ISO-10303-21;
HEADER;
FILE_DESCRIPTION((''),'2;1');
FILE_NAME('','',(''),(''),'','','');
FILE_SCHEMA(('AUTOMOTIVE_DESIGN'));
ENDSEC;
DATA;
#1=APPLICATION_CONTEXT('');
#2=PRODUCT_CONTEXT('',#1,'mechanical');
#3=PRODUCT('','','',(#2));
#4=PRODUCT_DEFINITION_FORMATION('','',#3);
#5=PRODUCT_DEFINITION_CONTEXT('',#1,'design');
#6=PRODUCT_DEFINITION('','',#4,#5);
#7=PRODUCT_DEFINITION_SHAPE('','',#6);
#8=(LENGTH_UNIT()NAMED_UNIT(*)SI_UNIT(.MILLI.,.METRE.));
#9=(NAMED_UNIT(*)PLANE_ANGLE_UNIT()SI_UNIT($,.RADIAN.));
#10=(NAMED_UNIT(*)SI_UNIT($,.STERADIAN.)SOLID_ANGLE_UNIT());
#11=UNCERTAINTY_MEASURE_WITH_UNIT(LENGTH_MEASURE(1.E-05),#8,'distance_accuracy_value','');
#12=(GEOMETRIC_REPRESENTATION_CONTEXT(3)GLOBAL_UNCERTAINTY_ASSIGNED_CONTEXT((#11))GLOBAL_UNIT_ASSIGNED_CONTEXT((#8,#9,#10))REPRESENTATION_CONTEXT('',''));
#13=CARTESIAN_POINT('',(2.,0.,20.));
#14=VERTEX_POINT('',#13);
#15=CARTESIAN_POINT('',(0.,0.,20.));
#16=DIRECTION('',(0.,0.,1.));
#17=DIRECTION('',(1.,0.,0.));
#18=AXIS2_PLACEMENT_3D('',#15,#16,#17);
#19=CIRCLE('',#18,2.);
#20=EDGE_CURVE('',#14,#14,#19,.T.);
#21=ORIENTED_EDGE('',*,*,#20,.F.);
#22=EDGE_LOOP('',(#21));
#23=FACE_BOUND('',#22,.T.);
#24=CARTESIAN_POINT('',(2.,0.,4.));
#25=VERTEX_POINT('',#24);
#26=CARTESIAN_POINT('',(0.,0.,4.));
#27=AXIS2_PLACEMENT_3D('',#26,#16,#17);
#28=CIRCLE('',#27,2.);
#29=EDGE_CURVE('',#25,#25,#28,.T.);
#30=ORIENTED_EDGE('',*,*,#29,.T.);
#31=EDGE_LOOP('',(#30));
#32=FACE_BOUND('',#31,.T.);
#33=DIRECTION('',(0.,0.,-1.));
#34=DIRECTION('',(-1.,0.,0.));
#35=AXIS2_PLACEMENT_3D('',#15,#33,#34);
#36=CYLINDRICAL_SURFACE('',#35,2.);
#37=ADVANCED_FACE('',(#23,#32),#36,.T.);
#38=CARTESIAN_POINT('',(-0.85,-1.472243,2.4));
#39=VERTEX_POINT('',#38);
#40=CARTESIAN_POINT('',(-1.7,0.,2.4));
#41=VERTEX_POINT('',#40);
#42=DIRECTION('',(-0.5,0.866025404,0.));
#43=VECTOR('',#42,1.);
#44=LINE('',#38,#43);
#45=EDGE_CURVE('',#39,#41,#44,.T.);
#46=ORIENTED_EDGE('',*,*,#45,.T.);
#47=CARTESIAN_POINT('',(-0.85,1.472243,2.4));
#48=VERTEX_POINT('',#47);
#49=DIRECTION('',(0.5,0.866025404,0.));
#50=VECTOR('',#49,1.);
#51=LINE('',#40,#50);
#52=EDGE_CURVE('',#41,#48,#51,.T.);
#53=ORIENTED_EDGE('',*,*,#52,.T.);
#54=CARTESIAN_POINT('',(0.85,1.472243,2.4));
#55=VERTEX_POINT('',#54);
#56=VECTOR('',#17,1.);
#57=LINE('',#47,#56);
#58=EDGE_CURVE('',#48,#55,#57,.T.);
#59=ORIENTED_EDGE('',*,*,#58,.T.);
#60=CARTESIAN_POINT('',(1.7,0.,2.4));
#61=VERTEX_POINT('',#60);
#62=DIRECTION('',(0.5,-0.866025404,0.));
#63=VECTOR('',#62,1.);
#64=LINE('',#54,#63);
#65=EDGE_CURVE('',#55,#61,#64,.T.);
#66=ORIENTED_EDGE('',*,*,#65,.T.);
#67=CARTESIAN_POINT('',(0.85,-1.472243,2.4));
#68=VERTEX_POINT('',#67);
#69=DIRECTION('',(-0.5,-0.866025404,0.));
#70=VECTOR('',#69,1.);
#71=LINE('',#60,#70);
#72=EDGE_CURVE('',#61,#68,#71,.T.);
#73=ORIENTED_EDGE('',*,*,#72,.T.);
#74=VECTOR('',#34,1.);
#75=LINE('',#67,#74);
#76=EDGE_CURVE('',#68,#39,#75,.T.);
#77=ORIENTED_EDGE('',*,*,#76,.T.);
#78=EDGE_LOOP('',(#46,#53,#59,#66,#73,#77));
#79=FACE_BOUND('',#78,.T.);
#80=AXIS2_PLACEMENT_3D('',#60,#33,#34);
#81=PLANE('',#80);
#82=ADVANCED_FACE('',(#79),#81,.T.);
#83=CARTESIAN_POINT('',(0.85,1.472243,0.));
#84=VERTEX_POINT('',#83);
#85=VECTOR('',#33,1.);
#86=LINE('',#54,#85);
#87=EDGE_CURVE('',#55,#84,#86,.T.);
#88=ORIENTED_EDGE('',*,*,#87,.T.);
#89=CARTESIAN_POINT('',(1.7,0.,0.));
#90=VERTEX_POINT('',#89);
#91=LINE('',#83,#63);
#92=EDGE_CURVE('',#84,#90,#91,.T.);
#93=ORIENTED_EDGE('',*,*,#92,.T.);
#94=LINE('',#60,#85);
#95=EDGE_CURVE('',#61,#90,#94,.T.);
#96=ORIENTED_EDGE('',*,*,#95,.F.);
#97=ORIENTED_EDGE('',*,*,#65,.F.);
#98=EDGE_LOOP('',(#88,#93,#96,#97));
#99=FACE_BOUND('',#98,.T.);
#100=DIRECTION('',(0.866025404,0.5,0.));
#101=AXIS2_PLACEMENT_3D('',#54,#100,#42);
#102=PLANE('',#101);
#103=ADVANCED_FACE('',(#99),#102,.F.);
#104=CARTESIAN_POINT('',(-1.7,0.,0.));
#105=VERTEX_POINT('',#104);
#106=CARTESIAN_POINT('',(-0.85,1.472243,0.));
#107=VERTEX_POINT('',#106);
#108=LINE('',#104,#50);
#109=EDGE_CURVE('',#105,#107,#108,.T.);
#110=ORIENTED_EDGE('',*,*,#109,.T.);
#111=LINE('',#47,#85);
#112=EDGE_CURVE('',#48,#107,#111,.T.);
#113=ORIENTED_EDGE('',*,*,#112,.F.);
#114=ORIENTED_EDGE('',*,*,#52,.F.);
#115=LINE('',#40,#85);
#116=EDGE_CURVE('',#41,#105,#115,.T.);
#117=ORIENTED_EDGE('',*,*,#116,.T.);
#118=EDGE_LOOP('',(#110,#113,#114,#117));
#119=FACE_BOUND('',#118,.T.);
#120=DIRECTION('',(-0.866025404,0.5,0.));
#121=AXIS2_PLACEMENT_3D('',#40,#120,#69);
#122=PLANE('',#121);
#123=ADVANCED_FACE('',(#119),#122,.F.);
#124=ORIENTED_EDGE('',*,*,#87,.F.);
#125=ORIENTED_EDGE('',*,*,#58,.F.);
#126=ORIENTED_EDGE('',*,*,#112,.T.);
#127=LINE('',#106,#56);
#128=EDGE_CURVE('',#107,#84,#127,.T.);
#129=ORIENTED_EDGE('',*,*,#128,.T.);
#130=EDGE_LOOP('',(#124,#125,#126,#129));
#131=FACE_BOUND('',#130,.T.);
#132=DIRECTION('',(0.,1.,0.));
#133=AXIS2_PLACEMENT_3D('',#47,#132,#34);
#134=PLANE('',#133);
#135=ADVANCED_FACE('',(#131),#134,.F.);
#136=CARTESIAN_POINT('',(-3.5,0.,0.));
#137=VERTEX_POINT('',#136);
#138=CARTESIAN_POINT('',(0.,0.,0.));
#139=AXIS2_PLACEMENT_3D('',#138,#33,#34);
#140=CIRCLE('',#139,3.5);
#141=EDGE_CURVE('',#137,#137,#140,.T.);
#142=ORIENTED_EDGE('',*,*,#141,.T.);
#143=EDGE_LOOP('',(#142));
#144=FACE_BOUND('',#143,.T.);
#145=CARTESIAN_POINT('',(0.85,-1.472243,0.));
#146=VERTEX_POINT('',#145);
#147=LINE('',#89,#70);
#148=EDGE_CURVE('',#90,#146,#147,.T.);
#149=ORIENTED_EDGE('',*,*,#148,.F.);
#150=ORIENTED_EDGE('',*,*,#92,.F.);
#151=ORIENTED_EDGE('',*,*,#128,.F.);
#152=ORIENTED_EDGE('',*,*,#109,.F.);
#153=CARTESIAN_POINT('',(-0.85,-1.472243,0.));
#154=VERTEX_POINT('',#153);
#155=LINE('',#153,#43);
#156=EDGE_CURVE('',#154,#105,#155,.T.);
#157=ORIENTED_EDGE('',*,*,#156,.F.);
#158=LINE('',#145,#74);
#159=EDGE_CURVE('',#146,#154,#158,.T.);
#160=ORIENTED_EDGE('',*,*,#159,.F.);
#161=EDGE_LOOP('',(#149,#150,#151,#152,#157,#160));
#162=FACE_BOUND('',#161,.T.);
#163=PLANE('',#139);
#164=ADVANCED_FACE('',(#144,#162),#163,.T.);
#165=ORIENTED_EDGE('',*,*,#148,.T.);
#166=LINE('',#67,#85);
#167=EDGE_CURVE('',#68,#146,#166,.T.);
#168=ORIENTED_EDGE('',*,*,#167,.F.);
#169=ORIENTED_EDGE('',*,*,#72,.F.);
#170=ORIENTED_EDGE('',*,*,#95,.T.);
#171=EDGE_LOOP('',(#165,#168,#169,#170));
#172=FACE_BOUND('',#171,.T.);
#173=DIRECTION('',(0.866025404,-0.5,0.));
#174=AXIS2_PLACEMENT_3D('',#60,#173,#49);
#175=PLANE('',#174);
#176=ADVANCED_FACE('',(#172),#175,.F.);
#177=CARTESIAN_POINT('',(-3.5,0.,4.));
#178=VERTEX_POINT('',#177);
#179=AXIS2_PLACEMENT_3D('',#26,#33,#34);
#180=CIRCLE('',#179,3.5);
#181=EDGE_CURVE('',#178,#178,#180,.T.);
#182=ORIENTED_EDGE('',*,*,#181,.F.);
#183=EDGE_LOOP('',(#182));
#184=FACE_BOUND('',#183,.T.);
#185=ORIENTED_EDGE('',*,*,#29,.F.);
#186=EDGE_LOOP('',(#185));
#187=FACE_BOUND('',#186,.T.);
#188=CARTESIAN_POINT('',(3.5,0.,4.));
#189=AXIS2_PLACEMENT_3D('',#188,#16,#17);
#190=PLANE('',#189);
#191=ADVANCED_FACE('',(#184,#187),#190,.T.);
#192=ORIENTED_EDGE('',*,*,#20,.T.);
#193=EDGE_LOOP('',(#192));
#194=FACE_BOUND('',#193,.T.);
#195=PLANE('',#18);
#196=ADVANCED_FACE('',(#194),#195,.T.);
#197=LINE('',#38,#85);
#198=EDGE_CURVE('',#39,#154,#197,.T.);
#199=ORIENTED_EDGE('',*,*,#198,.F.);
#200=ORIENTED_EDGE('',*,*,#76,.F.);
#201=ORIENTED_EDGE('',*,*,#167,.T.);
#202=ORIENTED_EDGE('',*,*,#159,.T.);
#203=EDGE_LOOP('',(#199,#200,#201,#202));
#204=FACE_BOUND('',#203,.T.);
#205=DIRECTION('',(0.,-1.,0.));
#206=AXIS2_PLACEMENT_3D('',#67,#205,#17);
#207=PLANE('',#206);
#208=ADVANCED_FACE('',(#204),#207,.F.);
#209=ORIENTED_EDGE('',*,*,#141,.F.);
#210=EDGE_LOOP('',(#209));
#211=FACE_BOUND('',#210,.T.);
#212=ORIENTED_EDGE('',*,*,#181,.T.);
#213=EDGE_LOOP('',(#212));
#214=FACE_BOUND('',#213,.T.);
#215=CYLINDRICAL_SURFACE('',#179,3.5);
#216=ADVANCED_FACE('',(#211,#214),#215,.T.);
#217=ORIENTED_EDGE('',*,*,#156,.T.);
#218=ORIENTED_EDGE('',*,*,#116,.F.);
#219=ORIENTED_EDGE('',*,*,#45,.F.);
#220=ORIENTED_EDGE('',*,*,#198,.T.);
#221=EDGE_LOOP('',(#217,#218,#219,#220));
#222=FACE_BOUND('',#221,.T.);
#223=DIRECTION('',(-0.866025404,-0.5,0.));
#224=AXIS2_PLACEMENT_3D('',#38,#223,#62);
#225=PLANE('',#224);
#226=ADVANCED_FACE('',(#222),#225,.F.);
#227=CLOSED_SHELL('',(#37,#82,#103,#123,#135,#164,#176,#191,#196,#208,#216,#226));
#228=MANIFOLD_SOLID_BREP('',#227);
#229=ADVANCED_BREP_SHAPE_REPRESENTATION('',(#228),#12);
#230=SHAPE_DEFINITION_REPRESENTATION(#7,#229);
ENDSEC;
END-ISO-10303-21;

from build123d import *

# Parameters (mm, degrees)
SKETCH1_W           = 3.5
SKETCH1_H           = 4
SKETCH2_R           = 2
BOSS_EXTRUDE1_DEPTH = 16
CUT_EXTRUDE1_DEPTH  = 2.4


with BuildPart() as part:
    # Sketch1 → Revolve1 (revolve)
    with BuildSketch(Plane.XZ, mode=Mode.PRIVATE) as revolve1_sk:
        with Locations((1.75, 2)):
            Rectangle(SKETCH1_W, SKETCH1_H)
    revolve(revolve1_sk.sketch.rotate(Axis((0, 0, 4), (0, 0, -1)), 180), axis=Axis((0, 0, 4), (0, 0, -1)))

    # Sketch2 → Boss-Extrude1 (add)
    with BuildSketch(Plane.XY.offset(4)):
        Circle(SKETCH2_R)
    extrude(amount=BOSS_EXTRUDE1_DEPTH)

    # Sketch3 → Cut-Extrude1 (cut)
    with BuildSketch(Plane(origin=(0, 0, 0), x_dir=(-1, 0, 0), z_dir=(0, 0, -1))):
        Polygon((-1.7, 0), (-0.85, -1.472243186), (0.85, -1.472243186), (1.7, 0), (0.85, 1.472243186), (-0.85, 1.472243186), align=None)
    extrude(amount=-CUT_EXTRUDE1_DEPTH, mode=Mode.SUBTRACT)


solid = part.part
